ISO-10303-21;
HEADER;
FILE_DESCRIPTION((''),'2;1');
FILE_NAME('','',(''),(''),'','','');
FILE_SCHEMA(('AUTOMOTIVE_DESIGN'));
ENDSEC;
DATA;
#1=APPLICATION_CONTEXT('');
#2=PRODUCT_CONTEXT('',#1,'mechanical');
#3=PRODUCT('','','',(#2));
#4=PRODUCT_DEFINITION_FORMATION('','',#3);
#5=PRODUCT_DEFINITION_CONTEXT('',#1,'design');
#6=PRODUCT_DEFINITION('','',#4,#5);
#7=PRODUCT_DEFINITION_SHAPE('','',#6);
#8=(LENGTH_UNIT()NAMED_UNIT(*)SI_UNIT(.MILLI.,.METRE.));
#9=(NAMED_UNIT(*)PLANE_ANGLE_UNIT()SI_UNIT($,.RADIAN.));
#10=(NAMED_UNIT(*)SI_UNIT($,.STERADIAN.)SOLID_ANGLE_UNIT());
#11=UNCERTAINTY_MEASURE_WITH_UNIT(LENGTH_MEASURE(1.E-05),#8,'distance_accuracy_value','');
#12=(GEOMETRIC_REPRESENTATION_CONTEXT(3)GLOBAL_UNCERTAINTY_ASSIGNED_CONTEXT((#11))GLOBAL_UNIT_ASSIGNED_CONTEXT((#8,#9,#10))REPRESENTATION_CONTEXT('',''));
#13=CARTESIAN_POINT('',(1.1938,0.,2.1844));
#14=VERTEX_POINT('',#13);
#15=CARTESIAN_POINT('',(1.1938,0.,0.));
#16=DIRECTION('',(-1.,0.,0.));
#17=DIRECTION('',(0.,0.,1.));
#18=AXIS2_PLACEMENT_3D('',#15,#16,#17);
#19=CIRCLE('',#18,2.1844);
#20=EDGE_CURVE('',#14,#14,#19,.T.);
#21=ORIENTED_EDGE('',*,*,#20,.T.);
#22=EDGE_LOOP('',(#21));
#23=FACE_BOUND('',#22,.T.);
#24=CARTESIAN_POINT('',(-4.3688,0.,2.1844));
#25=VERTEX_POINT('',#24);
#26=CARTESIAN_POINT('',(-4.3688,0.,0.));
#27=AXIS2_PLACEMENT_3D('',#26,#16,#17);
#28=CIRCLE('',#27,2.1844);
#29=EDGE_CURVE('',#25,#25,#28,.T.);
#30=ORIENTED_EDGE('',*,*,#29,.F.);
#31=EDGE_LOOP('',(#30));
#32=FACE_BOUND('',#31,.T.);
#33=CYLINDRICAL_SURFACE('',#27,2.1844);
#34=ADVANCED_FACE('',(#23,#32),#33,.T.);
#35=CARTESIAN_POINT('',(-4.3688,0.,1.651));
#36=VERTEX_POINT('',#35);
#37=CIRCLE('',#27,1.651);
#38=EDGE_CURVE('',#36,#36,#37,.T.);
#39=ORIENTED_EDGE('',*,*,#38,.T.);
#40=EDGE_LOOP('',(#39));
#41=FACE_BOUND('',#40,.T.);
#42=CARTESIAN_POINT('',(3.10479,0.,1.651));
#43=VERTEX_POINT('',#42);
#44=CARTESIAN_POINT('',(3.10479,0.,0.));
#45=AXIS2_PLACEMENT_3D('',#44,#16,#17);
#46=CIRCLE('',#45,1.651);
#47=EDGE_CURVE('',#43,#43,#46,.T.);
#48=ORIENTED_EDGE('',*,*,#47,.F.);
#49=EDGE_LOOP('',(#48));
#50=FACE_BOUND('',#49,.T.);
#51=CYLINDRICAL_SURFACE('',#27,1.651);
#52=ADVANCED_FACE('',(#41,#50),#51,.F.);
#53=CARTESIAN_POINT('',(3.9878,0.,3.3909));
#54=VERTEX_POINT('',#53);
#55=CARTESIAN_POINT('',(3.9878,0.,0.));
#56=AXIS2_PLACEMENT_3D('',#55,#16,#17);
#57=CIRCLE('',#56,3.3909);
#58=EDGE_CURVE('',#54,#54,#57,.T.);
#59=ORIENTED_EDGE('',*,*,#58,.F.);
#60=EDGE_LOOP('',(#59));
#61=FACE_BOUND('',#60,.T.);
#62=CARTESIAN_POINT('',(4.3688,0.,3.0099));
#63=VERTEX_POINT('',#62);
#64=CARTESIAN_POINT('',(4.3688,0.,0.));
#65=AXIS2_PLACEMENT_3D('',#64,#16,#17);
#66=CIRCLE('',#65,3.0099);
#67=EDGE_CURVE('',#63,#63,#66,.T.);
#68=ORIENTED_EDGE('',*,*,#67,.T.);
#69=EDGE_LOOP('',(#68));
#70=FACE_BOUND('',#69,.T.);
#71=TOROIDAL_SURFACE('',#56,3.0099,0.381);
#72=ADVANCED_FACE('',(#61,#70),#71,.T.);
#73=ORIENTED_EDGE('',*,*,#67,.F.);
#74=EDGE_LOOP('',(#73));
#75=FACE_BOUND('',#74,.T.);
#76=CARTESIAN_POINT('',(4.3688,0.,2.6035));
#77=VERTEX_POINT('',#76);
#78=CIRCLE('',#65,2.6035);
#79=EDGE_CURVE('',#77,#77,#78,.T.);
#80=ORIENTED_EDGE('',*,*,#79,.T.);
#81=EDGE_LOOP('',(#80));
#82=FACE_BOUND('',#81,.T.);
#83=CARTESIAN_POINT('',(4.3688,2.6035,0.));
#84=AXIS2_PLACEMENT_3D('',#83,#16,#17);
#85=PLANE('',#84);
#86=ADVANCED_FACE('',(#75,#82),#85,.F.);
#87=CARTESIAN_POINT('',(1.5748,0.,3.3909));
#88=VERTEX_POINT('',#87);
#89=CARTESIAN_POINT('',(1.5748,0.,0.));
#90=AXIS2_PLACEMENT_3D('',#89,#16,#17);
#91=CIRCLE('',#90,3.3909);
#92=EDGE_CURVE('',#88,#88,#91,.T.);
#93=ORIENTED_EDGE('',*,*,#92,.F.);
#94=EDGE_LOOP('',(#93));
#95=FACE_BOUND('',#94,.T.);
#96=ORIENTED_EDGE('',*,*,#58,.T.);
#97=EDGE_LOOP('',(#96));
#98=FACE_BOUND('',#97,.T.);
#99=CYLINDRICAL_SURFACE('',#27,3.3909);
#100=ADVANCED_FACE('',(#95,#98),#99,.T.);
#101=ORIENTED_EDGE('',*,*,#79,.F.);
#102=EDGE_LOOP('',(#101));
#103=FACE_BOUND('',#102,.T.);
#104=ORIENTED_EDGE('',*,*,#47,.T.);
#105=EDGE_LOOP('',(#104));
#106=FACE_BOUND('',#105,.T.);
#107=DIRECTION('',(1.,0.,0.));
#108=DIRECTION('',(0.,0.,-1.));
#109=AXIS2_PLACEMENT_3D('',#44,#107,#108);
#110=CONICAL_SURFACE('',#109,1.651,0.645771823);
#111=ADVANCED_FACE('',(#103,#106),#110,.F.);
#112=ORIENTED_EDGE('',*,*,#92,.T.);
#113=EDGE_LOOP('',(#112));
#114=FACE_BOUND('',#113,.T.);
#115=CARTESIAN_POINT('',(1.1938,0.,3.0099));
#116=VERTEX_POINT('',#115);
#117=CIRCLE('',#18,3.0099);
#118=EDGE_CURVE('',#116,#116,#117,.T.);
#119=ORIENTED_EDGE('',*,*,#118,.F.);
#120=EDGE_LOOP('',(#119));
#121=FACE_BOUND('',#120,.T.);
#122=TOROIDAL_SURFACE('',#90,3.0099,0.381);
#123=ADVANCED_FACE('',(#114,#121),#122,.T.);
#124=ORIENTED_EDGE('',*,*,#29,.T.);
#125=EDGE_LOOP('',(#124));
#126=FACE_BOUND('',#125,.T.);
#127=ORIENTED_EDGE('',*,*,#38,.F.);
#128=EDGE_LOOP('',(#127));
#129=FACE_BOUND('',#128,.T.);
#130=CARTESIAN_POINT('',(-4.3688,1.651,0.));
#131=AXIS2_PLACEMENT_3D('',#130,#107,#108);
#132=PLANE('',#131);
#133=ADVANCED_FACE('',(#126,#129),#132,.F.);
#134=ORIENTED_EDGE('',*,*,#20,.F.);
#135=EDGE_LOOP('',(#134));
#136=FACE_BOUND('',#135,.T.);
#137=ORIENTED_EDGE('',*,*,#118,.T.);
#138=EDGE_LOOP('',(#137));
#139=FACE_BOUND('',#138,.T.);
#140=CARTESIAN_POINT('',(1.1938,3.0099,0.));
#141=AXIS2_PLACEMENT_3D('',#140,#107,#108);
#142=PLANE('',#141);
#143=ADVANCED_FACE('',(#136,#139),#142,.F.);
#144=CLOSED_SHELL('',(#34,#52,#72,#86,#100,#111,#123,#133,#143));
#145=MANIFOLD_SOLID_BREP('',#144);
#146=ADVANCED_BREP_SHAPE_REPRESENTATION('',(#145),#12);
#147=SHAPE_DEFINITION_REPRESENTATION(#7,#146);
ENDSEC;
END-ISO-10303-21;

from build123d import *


with BuildPart() as part:
    # Sketch1 → Revolve1 (revolve)
    with BuildSketch(Plane.XY, mode=Mode.PRIVATE) as revolve1_sk:
        with BuildLine():
            Line((-4.3688, 1.651), (3.104789807, 1.651))
            Line((3.104789807, 1.651), (4.3688, 2.6035))
            Line((4.3688, 2.6035), (4.3688, 3.0099))
            ThreePointArc((4.3688, 3.0099), (4.257207684, 3.279307684), (3.9878, 3.3909))
            Line((3.9878, 3.3909), (1.5748, 3.3909))
            ThreePointArc((1.5748, 3.3909), (1.305392316, 3.279307684), (1.1938, 3.0099))
            Line((1.1938, 3.0099), (1.1938, 2.1844))
            Line((1.1938, 2.1844), (-4.3688, 2.1844))
            Line((-4.3688, 2.1844), (-4.3688, 1.651))
        make_face()
    revolve(revolve1_sk.sketch.rotate(Axis((-4.3688, 0, 0), (1, 0, 0)), 90), axis=Axis((-4.3688, 0, 0), (1, 0, 0)))


solid = part.part
